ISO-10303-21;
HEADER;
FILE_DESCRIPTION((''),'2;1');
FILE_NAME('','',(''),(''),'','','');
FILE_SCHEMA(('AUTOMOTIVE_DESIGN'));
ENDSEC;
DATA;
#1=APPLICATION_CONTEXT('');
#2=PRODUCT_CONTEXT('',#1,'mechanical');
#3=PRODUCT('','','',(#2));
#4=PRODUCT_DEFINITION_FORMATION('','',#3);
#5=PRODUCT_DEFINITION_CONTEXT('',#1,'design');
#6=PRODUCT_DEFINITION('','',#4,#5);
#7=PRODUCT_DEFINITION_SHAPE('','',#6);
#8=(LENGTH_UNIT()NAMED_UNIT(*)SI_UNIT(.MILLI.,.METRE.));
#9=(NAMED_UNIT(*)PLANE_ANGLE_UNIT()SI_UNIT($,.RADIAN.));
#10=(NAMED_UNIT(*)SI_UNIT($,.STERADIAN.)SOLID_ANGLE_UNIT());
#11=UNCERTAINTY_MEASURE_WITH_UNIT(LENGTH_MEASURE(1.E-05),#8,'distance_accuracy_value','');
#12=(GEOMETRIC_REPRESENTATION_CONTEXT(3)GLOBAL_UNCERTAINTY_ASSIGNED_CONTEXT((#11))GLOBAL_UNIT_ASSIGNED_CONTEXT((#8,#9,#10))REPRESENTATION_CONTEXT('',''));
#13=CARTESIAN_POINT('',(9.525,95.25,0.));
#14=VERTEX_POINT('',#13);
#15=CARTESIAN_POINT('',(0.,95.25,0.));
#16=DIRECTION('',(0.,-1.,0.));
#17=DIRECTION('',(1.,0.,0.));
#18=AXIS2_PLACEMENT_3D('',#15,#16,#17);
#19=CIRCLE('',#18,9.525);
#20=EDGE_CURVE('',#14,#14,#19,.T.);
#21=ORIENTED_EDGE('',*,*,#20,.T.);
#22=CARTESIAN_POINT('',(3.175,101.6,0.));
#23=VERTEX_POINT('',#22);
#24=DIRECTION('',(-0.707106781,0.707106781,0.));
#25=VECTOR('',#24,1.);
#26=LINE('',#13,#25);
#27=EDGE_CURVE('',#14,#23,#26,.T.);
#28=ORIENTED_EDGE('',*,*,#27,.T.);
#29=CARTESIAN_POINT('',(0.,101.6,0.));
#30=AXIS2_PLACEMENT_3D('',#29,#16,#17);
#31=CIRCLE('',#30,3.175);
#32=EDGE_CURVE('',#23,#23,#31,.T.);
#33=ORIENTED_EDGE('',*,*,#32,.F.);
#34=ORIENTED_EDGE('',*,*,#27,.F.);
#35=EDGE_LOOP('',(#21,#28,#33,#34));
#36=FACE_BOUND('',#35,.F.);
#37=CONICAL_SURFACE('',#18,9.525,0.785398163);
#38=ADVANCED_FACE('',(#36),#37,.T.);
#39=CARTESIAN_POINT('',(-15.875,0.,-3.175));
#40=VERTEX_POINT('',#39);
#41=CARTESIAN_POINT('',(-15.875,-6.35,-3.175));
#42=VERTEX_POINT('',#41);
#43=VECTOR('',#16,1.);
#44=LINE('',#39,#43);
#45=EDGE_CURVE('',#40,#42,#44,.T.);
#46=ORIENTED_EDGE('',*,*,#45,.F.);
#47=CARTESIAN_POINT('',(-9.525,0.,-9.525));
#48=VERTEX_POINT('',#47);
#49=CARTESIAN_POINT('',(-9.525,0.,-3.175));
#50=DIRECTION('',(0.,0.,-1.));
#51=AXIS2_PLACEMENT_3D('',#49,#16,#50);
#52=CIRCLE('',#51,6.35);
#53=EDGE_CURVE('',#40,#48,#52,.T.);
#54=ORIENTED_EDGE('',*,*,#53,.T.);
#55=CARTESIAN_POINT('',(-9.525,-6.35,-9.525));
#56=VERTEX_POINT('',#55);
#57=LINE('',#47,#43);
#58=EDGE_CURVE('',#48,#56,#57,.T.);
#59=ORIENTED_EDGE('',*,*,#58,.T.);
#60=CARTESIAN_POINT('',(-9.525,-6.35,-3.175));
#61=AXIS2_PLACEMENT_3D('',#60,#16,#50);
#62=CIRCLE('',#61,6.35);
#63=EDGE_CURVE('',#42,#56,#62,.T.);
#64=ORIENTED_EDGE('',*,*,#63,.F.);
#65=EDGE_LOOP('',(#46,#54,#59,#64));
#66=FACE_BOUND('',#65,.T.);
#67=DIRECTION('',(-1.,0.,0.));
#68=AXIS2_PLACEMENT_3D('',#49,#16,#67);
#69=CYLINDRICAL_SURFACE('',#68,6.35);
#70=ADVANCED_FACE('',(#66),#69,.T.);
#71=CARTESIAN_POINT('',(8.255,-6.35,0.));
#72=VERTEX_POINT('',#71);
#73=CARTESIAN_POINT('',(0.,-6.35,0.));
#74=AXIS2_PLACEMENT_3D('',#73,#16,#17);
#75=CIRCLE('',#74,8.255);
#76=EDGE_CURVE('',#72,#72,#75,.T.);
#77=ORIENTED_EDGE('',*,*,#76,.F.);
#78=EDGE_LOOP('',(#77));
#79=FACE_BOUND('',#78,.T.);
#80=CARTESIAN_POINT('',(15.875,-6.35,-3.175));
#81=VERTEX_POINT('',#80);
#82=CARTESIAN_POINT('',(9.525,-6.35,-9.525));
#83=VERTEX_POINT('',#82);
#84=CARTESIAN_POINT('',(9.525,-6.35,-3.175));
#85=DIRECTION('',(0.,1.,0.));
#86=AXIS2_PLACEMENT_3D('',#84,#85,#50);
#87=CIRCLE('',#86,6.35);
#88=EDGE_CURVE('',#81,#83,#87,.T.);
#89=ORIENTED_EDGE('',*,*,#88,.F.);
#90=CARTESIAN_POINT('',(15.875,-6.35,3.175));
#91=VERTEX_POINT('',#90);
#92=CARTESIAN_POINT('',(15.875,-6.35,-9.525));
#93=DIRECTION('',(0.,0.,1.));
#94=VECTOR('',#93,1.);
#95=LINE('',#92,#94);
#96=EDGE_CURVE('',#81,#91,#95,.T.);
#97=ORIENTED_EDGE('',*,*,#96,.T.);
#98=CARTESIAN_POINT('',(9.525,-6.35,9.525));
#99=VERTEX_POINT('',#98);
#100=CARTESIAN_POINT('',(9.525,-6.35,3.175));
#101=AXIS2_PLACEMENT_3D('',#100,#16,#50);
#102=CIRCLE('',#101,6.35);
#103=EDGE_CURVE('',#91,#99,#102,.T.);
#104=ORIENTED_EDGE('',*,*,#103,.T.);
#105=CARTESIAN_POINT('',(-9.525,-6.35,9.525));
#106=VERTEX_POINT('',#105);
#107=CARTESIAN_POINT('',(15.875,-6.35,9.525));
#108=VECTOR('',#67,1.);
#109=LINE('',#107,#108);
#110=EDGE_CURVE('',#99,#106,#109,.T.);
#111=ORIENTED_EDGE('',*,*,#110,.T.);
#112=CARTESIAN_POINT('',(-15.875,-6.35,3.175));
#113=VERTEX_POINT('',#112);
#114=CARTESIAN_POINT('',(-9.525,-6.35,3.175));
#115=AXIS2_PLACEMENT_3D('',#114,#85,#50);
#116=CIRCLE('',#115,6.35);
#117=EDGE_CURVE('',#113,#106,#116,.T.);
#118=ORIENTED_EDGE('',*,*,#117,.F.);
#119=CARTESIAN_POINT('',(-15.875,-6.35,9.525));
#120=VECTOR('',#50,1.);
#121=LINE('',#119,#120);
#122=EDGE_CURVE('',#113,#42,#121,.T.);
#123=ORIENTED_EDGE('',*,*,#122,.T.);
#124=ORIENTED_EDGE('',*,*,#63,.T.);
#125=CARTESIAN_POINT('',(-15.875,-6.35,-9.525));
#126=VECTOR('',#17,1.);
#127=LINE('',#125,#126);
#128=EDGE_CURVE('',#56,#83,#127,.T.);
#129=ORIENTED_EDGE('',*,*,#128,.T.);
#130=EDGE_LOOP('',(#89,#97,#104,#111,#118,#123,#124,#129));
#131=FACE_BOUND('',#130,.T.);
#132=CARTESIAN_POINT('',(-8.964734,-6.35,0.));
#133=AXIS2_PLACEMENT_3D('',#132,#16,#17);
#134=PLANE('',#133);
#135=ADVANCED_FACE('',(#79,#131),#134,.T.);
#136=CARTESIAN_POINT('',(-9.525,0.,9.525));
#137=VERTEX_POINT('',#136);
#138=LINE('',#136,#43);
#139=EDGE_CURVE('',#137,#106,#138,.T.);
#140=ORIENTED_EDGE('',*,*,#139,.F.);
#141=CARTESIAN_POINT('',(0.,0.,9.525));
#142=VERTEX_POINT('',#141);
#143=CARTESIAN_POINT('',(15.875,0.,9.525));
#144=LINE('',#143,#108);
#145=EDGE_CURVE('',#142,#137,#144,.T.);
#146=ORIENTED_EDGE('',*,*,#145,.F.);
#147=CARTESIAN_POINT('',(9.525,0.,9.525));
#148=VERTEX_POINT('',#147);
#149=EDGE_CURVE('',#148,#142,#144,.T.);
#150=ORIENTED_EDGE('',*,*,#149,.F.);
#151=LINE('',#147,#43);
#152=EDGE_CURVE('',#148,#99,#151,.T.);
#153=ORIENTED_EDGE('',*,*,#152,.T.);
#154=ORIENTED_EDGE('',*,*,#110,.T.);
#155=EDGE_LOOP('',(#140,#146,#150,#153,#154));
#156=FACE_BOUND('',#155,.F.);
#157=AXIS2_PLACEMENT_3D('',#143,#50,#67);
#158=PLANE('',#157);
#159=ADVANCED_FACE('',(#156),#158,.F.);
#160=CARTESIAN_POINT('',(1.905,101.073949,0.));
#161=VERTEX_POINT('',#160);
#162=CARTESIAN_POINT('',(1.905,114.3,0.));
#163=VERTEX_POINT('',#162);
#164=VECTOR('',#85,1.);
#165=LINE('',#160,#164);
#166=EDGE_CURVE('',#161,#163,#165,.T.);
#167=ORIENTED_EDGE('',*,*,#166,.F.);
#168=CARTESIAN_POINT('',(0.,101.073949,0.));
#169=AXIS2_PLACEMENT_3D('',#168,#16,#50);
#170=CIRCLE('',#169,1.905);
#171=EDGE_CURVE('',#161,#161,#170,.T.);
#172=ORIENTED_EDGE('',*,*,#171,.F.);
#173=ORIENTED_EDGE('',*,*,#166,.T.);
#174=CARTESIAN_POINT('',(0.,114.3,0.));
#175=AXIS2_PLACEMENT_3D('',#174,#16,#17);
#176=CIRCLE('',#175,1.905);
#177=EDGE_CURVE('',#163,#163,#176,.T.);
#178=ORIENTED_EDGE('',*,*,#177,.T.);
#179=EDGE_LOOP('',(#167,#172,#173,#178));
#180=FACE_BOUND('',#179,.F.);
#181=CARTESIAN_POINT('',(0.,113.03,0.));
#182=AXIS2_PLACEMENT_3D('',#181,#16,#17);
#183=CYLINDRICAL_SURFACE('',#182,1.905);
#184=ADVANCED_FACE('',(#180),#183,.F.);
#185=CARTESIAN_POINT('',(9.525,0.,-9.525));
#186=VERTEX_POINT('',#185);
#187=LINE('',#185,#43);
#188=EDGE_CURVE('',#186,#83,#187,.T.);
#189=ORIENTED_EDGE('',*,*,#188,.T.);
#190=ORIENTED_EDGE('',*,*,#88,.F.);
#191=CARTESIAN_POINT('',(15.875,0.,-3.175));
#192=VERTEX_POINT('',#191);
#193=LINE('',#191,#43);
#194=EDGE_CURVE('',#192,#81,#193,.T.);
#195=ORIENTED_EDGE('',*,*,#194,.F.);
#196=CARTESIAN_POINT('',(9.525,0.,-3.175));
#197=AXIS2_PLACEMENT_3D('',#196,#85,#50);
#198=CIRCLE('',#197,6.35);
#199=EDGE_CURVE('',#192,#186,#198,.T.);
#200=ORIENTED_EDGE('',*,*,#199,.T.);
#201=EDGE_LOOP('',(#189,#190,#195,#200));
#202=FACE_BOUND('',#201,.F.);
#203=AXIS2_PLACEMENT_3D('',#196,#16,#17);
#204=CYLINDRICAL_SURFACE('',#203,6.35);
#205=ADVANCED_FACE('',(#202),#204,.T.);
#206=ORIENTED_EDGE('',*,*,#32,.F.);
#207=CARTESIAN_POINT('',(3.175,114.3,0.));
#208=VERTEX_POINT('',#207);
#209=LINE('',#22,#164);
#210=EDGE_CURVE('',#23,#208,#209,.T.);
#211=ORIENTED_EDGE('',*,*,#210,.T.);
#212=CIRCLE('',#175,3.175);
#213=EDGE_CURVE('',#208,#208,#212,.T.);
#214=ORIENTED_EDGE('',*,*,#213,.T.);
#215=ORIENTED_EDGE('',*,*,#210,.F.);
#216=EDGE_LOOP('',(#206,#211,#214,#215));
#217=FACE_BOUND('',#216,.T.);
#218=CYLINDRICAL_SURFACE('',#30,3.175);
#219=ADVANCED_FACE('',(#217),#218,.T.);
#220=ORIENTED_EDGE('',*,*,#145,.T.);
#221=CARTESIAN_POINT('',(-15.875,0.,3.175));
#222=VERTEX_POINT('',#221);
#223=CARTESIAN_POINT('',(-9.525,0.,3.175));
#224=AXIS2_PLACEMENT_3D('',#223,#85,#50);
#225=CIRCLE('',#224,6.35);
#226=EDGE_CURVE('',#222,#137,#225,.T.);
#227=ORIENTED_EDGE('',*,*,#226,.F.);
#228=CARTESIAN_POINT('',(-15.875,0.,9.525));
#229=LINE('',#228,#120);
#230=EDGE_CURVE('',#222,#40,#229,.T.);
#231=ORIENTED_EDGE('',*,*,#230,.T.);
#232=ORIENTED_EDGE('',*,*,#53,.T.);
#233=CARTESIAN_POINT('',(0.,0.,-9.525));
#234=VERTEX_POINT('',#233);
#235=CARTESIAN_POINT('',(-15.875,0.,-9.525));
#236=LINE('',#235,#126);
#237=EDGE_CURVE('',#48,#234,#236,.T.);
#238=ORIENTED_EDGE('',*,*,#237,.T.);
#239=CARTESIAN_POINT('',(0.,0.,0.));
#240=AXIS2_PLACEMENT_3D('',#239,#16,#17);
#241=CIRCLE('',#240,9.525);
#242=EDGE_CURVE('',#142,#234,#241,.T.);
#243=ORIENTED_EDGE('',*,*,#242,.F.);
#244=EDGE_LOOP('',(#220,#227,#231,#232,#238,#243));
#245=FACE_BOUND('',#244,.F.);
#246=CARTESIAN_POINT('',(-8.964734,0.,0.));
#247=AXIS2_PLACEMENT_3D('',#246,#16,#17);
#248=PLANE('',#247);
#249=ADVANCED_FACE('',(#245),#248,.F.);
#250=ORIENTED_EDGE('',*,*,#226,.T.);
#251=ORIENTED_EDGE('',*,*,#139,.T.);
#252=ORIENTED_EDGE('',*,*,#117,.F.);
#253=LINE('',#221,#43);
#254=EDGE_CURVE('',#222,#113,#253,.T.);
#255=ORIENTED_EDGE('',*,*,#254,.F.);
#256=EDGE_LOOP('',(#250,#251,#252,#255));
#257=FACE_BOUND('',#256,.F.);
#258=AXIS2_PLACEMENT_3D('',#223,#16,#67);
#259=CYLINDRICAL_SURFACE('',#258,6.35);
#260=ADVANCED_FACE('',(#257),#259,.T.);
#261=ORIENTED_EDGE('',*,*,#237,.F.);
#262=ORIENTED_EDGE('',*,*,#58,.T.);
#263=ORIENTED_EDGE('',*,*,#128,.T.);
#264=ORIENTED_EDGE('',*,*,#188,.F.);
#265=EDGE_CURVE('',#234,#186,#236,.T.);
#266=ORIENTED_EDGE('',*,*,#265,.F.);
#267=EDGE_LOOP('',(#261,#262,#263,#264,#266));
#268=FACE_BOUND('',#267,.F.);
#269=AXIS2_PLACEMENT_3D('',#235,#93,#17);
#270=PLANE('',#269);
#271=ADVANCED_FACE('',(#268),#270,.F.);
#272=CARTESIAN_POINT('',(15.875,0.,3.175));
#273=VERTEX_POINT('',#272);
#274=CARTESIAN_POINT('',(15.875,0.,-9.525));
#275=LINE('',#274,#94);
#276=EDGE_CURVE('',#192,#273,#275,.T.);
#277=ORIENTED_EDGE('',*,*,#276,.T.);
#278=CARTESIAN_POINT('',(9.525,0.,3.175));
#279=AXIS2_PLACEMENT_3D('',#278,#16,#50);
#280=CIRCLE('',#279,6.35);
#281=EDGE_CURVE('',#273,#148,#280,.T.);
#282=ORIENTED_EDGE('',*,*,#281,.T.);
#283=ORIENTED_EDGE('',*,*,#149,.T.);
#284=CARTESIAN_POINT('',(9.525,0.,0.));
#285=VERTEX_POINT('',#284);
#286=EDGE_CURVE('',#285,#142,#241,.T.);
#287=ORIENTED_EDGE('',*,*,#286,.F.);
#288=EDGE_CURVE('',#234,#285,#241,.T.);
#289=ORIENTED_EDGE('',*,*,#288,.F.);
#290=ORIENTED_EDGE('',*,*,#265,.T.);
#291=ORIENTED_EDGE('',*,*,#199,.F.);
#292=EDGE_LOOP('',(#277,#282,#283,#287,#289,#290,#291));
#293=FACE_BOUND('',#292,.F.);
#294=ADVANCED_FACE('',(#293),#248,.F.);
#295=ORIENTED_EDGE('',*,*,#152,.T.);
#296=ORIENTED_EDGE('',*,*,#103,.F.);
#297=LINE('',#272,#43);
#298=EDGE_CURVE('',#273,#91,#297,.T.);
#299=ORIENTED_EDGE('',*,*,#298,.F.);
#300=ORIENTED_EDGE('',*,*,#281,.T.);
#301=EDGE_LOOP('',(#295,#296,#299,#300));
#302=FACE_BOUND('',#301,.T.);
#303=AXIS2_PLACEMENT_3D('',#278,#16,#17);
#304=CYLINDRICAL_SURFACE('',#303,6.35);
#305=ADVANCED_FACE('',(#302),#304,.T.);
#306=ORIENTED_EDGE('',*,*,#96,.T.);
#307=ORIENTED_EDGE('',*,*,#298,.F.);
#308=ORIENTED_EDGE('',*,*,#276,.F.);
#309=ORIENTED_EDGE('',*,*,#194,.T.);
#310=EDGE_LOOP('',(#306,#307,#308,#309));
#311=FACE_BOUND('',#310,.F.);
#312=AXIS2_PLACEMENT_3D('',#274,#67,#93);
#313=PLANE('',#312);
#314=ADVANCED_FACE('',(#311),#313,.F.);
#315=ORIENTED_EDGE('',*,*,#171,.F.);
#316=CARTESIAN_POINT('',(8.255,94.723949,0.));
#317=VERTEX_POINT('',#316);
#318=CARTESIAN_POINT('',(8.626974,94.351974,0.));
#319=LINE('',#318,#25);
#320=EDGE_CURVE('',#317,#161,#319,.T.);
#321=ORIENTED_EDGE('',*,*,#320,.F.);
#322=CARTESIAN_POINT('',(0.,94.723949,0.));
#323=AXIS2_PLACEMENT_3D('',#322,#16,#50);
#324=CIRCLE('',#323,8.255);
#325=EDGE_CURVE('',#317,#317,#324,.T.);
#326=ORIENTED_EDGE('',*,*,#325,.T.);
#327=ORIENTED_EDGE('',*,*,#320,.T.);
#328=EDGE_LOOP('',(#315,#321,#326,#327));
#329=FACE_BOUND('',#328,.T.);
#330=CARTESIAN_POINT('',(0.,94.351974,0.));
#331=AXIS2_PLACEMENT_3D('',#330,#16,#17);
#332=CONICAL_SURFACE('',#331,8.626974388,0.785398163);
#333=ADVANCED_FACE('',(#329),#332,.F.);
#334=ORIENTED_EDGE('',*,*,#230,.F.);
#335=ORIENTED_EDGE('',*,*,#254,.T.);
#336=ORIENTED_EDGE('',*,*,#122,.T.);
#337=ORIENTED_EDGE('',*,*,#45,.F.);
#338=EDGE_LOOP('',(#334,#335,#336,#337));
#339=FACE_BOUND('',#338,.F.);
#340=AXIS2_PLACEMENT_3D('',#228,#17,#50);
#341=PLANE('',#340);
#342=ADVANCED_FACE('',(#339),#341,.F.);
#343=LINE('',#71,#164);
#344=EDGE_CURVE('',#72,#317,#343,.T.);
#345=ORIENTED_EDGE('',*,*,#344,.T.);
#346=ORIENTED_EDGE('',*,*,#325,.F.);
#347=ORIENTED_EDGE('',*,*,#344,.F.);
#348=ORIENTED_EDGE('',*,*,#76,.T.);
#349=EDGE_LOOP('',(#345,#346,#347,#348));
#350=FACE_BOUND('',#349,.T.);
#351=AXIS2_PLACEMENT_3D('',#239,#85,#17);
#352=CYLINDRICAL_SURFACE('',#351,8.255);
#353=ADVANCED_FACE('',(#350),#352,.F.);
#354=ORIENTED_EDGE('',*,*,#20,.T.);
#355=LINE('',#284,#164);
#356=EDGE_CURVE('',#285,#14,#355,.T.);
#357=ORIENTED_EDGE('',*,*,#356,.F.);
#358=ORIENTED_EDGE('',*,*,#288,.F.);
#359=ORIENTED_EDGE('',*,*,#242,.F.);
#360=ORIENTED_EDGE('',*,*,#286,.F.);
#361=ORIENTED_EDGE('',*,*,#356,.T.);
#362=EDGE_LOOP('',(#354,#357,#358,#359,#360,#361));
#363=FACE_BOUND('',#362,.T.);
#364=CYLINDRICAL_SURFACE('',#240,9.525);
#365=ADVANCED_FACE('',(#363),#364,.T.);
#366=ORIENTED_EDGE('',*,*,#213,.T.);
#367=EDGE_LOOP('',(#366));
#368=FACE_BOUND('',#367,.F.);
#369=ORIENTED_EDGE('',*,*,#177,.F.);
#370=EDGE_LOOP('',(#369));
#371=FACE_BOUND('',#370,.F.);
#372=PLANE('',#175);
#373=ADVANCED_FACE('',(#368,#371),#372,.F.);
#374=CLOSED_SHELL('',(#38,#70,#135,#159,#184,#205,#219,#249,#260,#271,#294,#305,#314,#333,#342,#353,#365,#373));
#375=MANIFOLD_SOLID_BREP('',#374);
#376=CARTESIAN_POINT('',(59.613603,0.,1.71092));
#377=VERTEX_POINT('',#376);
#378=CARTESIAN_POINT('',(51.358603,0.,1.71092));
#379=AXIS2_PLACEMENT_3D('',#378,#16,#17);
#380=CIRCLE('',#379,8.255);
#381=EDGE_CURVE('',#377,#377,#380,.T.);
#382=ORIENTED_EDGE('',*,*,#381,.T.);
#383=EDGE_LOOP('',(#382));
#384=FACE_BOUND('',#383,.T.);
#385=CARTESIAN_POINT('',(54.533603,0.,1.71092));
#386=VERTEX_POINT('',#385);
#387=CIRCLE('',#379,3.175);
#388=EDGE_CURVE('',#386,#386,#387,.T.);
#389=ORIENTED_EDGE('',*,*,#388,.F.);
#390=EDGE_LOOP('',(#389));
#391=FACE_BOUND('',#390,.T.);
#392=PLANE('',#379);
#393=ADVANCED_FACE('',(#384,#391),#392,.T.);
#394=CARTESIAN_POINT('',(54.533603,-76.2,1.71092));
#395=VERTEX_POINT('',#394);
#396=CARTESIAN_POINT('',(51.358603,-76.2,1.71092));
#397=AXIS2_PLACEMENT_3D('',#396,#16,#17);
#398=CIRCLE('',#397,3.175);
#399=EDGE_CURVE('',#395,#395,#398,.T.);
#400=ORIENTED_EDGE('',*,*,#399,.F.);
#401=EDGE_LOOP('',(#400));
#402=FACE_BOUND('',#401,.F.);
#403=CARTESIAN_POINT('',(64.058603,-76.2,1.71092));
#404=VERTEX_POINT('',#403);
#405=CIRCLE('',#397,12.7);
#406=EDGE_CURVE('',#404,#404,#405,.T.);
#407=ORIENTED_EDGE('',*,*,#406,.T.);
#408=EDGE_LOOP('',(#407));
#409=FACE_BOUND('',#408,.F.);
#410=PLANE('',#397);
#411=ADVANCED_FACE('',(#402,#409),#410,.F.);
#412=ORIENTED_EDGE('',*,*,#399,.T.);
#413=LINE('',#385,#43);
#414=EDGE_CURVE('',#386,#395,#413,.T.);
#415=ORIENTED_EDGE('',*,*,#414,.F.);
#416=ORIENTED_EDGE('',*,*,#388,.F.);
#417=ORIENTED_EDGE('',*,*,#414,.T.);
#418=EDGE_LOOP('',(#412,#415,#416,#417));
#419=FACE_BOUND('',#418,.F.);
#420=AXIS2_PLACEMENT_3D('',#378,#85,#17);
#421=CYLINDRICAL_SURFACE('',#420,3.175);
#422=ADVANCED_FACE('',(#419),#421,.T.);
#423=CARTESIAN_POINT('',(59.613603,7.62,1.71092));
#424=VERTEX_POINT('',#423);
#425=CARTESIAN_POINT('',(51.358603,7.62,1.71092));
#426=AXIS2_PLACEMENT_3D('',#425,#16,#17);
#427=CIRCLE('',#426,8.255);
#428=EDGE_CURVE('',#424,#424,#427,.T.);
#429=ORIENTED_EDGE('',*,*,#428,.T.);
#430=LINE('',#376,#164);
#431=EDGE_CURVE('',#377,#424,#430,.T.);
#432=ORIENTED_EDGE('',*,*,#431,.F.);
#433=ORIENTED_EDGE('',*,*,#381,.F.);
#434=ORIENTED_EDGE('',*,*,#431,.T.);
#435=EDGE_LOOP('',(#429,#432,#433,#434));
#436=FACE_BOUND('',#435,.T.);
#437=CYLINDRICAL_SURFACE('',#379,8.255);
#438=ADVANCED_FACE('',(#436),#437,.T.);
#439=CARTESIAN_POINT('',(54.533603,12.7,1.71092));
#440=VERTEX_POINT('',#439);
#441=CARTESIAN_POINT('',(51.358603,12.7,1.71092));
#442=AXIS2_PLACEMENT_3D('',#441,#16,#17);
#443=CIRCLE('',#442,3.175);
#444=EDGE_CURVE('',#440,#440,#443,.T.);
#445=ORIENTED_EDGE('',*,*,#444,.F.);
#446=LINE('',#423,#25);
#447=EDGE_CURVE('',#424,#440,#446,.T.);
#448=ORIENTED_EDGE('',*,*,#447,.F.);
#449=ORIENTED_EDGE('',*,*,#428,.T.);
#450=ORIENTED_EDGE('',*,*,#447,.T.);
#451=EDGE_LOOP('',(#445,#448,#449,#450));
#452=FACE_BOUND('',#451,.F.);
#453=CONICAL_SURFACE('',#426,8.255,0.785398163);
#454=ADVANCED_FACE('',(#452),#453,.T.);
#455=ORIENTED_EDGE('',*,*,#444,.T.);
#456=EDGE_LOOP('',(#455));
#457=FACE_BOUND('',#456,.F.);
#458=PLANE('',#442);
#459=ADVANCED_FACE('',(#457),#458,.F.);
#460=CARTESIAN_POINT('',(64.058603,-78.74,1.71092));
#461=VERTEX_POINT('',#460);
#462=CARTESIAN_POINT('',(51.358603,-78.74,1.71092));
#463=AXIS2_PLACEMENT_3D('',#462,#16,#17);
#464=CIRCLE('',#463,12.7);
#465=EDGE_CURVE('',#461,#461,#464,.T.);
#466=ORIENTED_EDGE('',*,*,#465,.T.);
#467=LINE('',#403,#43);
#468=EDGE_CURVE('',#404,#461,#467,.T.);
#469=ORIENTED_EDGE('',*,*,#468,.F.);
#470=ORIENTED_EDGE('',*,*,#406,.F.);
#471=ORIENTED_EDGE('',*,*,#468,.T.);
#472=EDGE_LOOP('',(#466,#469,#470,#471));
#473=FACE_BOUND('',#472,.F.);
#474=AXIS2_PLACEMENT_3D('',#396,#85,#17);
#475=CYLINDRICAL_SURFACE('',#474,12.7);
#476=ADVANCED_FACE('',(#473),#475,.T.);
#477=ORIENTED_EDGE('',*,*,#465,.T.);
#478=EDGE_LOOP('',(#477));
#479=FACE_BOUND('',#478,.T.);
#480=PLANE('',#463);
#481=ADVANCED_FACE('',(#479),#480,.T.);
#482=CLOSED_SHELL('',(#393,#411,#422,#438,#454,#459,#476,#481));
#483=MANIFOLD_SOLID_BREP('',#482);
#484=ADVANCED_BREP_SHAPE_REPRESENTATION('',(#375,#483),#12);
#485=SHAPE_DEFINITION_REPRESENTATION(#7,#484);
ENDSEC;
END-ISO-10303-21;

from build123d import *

# Parameters (mm, degrees)
F0_R      = 9.525
F1_DEPTH  = 101.6
F2_SIZE   = 6.35
F3_DEPTH  = 12.7
F4_T      = -1.27
F5_DEPTH  = 25.4
F6_R      = 8.255
F7_DEPTH  = 6.35
F8_R      = 6.35
F9_R      = 8.255
F10_DEPTH = 12.7
F11_R     = 3.175
F12_DEPTH = 76.2
F13_R     = 12.7
F14_DEPTH = 2.54
F15_SIZE  = 5.08


with BuildPart() as f1:
    # F0 (on Front) → F1 (new body)
    with BuildSketch(Plane.XZ):
        Circle(F0_R)
    extrude(amount=-F1_DEPTH)

    # F2
    f2_edges = [f1.edges().sort_by_distance(p)[0] for p in [
        (-9.525, 101.6, 0),
    ]]
    chamfer(f2_edges, length=F2_SIZE)

    # F3 (add): a face of the model
    f3_faces = [f1.faces().sort_by_distance(p)[0] for p in [
        (0, 101.6, 0),
    ]]
    extrude(f3_faces, amount=F3_DEPTH)

    # F4
    f4_openings = [f1.faces().sort_by_distance(p)[0] for p in [
        (0, 0, 0),
    ]]
    offset(amount=F4_T, openings=f4_openings, kind=Kind.INTERSECTION)

    # F5 (cut): a face of the model
    f5_faces = [f1.faces().sort_by_distance(p)[0] for p in [
        (0, 113.03, 0),
    ]]
    extrude(f5_faces, amount=-F5_DEPTH, mode=Mode.SUBTRACT)

    # F6 (on face) → F7 (join)
    with BuildSketch(Plane.XZ):
        with BuildLine():
            Line((0, 9.525), (-15.875, 9.525))
            Line((-15.875, 9.525), (-15.875, -9.525))
            Line((-15.875, -9.525), (0, -9.525))
            ThreePointArc((0, -9.525), (-9.525, 0), (0, 9.525))
        make_face()
        with BuildLine():
            Line((15.875, 9.525), (0, 9.525))
            ThreePointArc((0, 9.525), (6.7351920908, 6.7351920908), (9.525, 0))
            ThreePointArc((9.525, 0), (6.7351920908, -6.7351920908), (0, -9.525))
            Line((0, -9.525), (15.875, -9.525))
            Line((15.875, -9.525), (15.875, 9.525))
        make_face()
        with BuildLine():
            ThreePointArc((9.525, 0), (6.7351920908, 6.7351920908), (0, 9.525))
            ThreePointArc((0, 9.525), (-9.525, 0), (0, -9.525))
            ThreePointArc((0, -9.525), (6.7351920908, -6.7351920908), (9.525, 0))
        make_face()
        Circle(F6_R, mode=Mode.SUBTRACT)
    extrude(amount=F7_DEPTH)

    # F8
    f8_edges = [f1.edges().sort_by_distance(p)[0] for p in [
        (-15.875, -3.175, 9.525),
        (15.875, -3.175, 9.525),
        (-15.875, -3.175, -9.525),
        (15.875, -3.175, -9.525),
    ]]
    fillet(f8_edges, radius=F8_R)


with BuildPart() as f10:
    # F9 (on Front) → F10 (new body)
    with BuildSketch(Plane.XZ):
        with Locations((51.358602941, 1.7109198961)):
            Circle(F9_R)
    extrude(amount=-F10_DEPTH)

    # F11 (on face) → F12 (join)
    with BuildSketch(Plane.XZ):
        with Locations((51.358602941, 1.7109198961)):
            Circle(F11_R)
    extrude(amount=F12_DEPTH)

    # F13 (on face) → F14 (join)
    with BuildSketch(Plane.XZ.offset(76.2)):
        with Locations((51.358602941, 1.7109198961)):
            Circle(F13_R)
    extrude(amount=F14_DEPTH)

    # F15
    f15_edges = [f10.edges().sort_by_distance(p)[0] for p in [
        (43.103603, 12.7, 1.71092),
    ]]
    chamfer(f15_edges, length=F15_SIZE)


solid = Compound([f1.part, f10.part])
